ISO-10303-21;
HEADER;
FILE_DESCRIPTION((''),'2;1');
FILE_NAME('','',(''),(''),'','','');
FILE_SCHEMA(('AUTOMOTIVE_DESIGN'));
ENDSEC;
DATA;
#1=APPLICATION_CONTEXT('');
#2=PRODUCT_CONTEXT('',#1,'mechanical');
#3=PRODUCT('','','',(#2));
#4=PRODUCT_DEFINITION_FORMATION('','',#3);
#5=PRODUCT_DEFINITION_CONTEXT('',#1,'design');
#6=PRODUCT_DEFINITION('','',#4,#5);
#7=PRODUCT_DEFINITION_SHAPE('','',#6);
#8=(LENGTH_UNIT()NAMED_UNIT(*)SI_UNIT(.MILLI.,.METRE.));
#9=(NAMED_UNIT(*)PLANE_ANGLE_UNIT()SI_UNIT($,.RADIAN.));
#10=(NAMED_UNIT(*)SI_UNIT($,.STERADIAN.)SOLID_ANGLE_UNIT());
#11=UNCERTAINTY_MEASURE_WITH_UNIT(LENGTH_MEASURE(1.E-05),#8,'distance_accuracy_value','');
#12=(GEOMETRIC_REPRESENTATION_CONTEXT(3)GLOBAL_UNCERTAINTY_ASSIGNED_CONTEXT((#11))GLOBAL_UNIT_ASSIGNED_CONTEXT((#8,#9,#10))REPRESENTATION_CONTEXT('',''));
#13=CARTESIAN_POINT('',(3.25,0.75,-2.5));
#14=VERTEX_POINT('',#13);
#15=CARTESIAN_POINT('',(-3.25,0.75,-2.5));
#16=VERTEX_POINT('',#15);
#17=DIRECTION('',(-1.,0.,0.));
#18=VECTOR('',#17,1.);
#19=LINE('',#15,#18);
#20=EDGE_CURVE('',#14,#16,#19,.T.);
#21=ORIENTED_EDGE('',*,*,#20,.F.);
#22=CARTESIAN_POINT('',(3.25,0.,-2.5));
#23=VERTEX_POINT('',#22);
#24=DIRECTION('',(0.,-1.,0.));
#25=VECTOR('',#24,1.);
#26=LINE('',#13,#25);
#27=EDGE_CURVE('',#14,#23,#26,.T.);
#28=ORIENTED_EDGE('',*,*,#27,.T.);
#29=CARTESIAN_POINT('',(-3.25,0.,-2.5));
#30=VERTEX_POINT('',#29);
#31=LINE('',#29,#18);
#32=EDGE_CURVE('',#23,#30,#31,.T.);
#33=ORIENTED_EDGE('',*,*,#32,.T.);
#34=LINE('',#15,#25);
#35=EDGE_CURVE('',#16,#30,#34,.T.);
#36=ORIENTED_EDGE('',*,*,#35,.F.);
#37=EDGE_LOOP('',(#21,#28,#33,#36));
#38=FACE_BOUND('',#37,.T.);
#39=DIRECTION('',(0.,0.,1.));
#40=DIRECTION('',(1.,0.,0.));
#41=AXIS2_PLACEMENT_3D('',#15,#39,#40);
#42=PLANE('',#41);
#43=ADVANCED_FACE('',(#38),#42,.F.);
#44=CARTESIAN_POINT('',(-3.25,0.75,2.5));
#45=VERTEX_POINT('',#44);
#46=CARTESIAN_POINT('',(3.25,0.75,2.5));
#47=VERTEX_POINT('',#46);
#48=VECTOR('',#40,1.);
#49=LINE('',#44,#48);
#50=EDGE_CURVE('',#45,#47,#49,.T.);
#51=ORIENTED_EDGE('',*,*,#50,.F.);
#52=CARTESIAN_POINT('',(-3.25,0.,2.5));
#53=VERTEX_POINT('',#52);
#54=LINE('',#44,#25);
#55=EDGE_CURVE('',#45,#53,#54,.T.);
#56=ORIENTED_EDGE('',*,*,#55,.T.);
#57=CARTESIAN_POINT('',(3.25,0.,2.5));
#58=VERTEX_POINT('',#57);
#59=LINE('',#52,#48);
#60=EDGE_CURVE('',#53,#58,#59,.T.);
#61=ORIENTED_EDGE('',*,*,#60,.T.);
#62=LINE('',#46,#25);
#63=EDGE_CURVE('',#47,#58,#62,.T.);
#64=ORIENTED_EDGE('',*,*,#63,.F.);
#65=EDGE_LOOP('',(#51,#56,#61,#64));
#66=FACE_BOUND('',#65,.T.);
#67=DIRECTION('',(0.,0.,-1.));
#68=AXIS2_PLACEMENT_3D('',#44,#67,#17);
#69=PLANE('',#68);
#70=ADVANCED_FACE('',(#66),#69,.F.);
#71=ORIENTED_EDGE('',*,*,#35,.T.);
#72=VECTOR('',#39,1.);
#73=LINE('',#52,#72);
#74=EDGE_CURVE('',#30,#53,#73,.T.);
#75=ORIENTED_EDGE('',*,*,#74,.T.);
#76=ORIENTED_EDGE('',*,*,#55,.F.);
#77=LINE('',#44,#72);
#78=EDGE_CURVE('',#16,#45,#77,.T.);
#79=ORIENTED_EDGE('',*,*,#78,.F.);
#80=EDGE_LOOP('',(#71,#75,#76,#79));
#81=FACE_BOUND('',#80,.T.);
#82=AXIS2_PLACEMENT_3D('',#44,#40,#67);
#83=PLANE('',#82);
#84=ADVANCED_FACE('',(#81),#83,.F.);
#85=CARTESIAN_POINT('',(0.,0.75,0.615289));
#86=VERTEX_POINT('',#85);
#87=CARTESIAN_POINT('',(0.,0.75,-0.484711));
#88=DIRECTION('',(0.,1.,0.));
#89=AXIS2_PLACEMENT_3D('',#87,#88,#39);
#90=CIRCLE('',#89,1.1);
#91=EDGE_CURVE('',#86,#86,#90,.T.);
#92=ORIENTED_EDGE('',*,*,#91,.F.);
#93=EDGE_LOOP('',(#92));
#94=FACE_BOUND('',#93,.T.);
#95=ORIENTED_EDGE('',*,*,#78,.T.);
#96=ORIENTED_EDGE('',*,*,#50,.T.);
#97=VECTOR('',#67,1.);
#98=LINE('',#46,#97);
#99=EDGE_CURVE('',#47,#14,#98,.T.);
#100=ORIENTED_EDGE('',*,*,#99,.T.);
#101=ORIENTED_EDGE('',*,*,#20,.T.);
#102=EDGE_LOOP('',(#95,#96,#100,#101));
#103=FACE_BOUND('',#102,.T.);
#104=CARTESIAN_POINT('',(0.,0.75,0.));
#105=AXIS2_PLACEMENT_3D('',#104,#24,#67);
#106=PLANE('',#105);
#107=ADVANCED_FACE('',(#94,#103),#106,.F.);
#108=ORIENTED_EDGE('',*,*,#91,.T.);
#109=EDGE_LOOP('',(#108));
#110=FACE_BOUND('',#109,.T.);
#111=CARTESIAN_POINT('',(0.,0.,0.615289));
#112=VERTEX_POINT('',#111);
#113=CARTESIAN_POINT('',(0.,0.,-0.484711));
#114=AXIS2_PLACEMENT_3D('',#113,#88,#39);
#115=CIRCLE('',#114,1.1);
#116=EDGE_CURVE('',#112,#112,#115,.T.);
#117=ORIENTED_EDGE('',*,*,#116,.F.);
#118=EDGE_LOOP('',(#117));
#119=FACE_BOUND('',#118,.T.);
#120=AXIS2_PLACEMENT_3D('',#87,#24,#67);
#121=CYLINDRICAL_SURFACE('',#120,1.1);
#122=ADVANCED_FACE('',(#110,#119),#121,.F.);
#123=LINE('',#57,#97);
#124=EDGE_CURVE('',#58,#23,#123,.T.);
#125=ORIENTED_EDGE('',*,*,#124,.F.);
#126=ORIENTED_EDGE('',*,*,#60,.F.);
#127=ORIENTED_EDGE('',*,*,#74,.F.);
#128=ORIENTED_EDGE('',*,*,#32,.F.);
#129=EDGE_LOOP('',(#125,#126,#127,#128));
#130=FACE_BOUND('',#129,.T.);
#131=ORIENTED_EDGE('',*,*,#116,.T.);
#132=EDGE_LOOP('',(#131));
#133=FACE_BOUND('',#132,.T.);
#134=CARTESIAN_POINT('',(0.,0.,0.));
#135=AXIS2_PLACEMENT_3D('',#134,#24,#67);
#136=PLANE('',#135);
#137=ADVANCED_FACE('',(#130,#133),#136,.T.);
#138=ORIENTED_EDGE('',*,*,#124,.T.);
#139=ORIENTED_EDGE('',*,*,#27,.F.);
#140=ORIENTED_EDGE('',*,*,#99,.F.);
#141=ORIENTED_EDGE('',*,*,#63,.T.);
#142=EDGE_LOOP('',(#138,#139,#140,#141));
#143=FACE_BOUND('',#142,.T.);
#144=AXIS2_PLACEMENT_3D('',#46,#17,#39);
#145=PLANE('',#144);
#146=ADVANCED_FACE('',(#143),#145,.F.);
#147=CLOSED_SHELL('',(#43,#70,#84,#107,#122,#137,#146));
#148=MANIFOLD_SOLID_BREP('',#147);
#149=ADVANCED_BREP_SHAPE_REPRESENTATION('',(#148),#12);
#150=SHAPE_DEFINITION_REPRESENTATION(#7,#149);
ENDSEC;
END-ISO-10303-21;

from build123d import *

# Parameters (mm, degrees)
SKETCH1_W           = 6.5
SKETCH1_H           = 5
BOSS_EXTRUDE1_DEPTH = 0.75
SKETCH2_R           = 1.1
CUT_EXTRUDE1_DEPTH  = 5.168333


with BuildPart() as part:
    # Sketch1 → Boss-Extrude1 (new body)
    with BuildSketch(Plane(origin=(0, 0, 0), x_dir=(1, 0, 0), z_dir=(0, 1, 0))):
        Rectangle(SKETCH1_W, SKETCH1_H)
    extrude(amount=BOSS_EXTRUDE1_DEPTH)

    # Sketch2 → Cut-Extrude1 (cut, through all)
    with BuildSketch(Plane(origin=(0, 0, 0), x_dir=(1, 0, 0), z_dir=(0, 1, 0))):
        with Locations(Location((0, 0.484711092, 0), (0, 0, 270))):
            Circle(SKETCH2_R)
    extrude(amount=CUT_EXTRUDE1_DEPTH, mode=Mode.SUBTRACT)


solid = part.part
